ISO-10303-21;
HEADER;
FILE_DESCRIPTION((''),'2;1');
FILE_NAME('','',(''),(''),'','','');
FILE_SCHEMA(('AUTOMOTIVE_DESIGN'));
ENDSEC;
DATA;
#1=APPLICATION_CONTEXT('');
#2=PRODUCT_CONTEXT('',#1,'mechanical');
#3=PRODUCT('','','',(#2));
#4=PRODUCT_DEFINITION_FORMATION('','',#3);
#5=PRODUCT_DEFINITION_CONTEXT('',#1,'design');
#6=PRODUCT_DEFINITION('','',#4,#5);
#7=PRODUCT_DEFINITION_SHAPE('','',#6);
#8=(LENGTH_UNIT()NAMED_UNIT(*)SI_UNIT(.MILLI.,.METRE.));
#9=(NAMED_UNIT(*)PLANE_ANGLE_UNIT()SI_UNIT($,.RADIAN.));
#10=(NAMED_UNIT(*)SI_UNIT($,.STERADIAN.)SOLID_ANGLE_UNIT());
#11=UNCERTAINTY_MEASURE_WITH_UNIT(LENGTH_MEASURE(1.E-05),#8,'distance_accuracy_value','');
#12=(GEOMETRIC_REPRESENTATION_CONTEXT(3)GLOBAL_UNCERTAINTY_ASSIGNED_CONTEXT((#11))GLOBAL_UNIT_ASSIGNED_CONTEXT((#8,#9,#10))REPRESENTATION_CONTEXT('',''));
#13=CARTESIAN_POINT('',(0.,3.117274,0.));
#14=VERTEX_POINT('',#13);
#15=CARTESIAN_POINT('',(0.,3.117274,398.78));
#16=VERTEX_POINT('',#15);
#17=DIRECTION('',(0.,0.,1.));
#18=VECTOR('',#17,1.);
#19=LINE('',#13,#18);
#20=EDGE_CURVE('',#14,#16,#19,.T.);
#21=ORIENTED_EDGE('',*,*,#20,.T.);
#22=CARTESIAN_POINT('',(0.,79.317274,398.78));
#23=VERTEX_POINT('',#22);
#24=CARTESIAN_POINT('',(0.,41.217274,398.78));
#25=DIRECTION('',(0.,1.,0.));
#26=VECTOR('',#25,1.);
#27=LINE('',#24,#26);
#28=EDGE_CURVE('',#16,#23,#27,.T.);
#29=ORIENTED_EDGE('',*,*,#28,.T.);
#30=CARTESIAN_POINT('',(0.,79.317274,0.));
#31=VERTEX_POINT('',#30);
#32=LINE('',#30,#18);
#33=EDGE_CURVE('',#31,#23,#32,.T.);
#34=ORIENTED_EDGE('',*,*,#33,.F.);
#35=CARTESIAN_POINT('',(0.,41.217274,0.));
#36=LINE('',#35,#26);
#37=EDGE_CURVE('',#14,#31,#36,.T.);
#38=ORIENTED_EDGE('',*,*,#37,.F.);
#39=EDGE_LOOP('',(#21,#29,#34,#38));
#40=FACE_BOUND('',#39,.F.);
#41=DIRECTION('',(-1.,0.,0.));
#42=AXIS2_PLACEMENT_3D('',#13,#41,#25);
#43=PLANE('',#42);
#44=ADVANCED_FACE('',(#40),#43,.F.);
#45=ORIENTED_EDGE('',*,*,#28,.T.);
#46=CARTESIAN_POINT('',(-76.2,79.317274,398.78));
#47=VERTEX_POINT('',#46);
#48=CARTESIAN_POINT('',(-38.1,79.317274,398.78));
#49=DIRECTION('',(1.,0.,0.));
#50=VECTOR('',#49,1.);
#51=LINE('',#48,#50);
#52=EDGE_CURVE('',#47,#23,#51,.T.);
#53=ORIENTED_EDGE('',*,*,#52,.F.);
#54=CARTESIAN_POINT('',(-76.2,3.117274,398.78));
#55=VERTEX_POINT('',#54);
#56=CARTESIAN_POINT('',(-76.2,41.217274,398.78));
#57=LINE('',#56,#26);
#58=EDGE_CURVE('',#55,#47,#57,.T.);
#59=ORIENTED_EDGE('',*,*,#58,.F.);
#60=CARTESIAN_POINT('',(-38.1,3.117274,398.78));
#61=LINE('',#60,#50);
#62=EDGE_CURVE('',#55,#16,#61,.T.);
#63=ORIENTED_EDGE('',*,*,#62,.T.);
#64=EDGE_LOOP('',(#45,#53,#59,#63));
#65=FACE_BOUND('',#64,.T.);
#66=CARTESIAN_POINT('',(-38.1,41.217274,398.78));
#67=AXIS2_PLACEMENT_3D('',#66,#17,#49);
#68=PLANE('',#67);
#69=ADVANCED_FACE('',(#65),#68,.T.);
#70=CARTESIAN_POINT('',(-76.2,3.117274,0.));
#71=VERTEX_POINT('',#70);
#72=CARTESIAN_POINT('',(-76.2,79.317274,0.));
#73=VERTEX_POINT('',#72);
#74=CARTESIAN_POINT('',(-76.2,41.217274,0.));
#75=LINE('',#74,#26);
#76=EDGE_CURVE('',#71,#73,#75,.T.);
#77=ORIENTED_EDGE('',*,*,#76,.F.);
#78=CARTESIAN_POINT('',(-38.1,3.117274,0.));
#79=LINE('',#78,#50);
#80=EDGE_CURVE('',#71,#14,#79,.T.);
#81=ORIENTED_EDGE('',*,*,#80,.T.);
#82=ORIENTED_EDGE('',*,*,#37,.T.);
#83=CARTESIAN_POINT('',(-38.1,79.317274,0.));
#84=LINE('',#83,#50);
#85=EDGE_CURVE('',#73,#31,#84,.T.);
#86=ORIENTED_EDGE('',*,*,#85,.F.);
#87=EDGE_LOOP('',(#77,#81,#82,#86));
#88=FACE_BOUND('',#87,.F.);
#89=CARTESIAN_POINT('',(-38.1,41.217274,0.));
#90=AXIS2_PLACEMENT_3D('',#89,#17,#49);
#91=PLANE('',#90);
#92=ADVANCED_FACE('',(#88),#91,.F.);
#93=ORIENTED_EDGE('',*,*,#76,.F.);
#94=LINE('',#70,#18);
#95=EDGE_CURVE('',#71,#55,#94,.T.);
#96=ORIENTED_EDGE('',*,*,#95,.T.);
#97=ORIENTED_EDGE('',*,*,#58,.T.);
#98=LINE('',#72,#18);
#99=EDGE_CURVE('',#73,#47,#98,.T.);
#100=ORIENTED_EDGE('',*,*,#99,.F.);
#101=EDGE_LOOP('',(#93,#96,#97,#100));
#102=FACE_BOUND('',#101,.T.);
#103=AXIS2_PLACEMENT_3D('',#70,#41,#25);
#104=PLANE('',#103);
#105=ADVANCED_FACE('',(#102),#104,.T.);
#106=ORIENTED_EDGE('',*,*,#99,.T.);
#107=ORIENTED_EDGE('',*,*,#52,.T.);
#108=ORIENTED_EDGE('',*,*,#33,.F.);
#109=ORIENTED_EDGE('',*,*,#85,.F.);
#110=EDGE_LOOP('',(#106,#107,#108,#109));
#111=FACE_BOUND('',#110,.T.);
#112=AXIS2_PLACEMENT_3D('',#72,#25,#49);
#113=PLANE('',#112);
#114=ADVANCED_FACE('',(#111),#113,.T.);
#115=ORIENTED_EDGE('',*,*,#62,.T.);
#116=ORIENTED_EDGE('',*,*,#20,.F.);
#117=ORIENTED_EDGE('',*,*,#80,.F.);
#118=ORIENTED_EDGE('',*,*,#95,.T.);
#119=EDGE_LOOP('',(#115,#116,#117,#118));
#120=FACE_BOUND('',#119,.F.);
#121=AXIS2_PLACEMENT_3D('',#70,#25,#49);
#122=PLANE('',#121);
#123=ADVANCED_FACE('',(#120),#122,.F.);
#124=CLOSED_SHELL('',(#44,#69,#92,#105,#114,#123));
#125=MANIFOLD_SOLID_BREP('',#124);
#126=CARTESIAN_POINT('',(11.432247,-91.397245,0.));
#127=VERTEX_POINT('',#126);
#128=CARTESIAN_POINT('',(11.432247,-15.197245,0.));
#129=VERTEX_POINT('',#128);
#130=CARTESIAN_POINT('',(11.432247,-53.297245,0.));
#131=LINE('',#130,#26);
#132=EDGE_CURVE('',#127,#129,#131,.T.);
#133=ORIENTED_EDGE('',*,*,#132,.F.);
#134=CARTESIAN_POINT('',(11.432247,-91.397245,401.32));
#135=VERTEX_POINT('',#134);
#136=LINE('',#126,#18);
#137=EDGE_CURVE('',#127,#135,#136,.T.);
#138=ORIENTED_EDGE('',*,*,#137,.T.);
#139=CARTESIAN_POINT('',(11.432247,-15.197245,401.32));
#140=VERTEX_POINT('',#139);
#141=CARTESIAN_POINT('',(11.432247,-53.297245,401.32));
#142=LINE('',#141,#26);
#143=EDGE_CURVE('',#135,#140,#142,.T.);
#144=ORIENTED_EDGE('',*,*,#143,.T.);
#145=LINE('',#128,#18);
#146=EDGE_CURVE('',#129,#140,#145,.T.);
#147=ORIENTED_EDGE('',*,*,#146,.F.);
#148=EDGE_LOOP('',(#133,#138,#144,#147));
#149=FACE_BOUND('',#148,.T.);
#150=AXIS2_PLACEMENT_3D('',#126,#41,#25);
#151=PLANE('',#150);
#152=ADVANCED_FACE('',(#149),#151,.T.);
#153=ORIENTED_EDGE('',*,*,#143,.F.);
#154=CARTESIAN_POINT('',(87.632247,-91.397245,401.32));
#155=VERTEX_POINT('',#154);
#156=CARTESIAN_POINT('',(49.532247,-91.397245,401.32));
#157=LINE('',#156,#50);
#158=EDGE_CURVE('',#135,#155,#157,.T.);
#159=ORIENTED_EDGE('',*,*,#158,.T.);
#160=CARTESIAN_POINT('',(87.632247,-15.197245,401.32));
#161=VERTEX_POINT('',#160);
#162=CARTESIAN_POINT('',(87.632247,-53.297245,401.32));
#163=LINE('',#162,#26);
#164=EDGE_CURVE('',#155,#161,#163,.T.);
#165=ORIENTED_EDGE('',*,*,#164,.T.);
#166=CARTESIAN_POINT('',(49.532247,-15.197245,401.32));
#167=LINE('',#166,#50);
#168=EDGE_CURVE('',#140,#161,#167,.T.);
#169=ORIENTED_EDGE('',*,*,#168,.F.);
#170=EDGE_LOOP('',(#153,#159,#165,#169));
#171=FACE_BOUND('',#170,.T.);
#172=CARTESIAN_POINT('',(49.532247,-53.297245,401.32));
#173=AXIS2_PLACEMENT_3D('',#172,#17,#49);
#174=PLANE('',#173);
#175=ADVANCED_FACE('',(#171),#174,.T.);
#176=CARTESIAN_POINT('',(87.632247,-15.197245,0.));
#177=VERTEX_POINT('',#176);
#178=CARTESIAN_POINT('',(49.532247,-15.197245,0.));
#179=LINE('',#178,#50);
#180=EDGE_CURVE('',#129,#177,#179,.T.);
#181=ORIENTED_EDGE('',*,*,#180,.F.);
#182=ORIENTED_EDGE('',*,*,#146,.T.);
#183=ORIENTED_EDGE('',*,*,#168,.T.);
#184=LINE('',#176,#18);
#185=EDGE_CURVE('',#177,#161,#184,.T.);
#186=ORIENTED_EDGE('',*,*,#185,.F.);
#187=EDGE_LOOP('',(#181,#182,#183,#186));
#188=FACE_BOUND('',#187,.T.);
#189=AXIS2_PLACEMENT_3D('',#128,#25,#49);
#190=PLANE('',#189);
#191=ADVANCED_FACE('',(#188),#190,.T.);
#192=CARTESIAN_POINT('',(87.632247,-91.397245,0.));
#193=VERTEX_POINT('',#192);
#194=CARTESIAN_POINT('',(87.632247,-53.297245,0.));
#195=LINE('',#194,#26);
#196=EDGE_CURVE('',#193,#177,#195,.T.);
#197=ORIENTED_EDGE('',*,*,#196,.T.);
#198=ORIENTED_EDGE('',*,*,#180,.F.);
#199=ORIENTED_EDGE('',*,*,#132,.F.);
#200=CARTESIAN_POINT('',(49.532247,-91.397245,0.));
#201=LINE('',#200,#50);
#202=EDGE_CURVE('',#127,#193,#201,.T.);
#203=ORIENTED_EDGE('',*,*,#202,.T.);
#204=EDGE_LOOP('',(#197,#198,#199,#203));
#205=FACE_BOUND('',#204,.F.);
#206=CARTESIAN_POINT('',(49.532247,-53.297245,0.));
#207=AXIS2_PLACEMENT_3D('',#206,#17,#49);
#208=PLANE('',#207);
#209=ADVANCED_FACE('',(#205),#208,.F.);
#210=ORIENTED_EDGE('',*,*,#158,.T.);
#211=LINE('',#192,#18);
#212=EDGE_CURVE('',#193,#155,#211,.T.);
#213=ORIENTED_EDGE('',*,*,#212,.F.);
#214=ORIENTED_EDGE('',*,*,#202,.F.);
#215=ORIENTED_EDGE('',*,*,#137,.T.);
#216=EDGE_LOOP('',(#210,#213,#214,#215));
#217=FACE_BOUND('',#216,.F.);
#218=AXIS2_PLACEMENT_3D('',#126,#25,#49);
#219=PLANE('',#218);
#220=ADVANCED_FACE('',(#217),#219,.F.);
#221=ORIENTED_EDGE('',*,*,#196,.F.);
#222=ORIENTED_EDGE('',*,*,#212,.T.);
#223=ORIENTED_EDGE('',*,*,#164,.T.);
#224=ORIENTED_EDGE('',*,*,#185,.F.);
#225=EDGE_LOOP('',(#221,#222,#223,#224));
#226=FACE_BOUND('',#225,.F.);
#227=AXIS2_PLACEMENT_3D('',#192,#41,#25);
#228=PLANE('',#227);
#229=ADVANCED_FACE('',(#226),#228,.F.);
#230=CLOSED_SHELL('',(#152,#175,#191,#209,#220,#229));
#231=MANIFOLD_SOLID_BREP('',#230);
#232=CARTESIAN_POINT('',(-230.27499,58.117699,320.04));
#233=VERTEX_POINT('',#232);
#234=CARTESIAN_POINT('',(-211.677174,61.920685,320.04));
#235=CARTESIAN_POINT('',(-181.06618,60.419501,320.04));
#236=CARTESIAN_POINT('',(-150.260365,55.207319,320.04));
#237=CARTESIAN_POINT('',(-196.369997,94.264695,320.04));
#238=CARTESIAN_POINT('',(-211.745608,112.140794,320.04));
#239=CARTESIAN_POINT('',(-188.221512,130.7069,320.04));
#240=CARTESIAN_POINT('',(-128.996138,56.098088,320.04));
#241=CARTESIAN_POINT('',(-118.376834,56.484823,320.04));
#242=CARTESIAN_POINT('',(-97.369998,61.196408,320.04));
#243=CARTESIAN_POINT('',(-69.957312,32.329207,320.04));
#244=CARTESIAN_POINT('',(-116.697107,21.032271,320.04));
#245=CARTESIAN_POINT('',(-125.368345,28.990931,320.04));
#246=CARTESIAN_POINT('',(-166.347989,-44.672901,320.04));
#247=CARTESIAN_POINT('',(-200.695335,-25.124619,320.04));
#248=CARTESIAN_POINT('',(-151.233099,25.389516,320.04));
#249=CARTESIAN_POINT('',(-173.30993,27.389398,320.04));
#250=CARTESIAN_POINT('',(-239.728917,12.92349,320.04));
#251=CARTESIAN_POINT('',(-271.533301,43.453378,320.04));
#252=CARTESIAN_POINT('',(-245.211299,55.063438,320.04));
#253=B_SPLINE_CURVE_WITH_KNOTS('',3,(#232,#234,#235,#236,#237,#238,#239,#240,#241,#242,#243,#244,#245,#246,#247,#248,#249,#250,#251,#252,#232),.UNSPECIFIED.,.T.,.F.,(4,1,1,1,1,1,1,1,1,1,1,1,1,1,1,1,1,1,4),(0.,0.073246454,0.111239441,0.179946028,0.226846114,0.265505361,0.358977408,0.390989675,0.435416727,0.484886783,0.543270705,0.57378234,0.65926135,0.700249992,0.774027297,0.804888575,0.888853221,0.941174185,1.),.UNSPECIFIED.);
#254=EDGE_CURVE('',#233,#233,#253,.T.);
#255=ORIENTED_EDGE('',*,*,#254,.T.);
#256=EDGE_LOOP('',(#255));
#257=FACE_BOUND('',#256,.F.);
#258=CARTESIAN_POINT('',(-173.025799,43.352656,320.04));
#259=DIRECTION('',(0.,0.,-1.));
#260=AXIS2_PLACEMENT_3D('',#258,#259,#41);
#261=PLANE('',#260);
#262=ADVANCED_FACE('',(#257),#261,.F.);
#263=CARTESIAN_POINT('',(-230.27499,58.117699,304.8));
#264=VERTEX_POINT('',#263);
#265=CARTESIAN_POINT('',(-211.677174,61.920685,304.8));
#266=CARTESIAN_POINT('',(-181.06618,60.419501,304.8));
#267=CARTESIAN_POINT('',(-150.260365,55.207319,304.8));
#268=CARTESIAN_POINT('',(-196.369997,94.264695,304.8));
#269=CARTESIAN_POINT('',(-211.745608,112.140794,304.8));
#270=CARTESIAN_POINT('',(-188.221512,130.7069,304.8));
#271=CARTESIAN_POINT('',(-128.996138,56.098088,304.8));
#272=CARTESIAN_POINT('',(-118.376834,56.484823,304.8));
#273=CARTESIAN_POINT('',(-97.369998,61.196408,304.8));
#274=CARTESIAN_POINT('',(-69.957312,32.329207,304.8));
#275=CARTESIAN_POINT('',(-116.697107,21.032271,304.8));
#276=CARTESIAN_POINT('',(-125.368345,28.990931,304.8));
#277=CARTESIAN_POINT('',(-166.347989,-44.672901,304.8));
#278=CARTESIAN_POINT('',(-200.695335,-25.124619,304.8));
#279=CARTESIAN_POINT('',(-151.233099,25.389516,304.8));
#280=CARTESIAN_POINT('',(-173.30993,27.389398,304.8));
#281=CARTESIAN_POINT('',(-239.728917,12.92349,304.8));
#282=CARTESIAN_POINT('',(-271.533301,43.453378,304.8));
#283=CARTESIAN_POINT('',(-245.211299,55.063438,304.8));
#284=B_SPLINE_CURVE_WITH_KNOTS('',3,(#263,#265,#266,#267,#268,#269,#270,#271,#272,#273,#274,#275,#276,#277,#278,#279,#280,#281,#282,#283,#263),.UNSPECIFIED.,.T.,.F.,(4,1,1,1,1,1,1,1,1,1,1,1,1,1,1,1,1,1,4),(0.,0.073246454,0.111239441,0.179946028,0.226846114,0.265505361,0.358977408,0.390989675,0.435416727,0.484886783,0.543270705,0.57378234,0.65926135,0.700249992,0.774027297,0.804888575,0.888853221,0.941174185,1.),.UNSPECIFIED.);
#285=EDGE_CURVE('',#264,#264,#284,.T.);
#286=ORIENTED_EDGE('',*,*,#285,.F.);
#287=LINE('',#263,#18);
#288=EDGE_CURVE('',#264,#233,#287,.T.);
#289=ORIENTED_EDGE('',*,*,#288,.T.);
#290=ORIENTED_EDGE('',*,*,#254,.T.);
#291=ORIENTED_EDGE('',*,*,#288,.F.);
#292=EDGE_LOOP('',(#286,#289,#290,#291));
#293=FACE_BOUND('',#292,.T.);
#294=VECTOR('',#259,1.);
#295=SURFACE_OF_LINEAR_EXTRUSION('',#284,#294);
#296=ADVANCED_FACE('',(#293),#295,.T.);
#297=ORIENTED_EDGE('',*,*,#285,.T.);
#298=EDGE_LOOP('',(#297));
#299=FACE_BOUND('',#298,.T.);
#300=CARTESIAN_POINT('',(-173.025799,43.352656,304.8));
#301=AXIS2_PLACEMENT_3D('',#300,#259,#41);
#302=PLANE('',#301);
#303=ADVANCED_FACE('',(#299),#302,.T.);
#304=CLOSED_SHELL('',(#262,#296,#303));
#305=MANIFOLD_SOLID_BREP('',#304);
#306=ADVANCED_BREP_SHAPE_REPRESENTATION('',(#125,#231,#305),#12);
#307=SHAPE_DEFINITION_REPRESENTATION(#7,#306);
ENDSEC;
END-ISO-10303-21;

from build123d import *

# Parameters (mm, degrees)
F0_W     = 76.2
F0_H     = 76.2
F1_DEPTH = 398.78
F2_W     = 76.2
F2_H     = 76.2
F3_DEPTH = 401.32
F6_DEPTH = 15.24


with BuildPart() as f1:
    # F0 (on Top) → F1 (new body)
    with BuildSketch(Plane.XY):
        with Locations((-38.1, 41.2172738346)):
            Rectangle(F0_W, F0_H)
    extrude(amount=F1_DEPTH)


with BuildPart() as f3:
    # F2 (on Top) → F3 (new body)
    with BuildSketch(Plane.XY):
        with Locations((49.5322467759, -53.297244833)):
            Rectangle(F2_W, F2_H)
    extrude(amount=F3_DEPTH)


with BuildPart() as f6:
    # F5 (on offset) → F6 (new body)
    with BuildSketch(Plane.XY.offset(304.8)):
        with BuildLine():
            add(Edge.make_bspline(
                [(-230.274990201, 58.117698878), (-211.6771744765, 61.9206850986), (-181.0661800432, 60.4195005486), (-150.2603648206, 55.2073188737), (-196.3699967333, 94.264694567), (-211.7456075772, 112.1407940631), (-188.2215122024, 130.7069004983), (-128.9961377574, 56.0980880879), (-118.3768339335, 56.4848233776), (-97.3699979013, 61.1964079895), (-69.9573123864, 32.3292070703), (-116.6971071004, 21.0322707799), (-125.368345163, 28.9909308015), (-166.3479886589, -44.6729009287), (-200.6953352861, -25.1246191437), (-151.2330986611, 25.3895163062), (-173.3099296624, 27.3893977204), (-239.7289167879, 12.9234900059), (-271.5333005906, 43.4533777387), (-245.2112992792, 55.0634381814), (-230.274990201, 58.117698878)],
                knots=[0, 0, 0, 0, 0.0732464537, 0.1112394409, 0.1799460277, 0.2268461143, 0.2655053609, 0.3589774077, 0.3909896746, 0.4354167273, 0.4848867834, 0.5432707048, 0.5737823399, 0.65926135, 0.7002499918, 0.7740272971, 0.8048885746, 0.8888532207, 0.9411741848, 1, 1, 1, 1], degree=3))
        make_face()
    extrude(amount=F6_DEPTH)


solid = Compound([f1.part, f3.part, f6.part])
